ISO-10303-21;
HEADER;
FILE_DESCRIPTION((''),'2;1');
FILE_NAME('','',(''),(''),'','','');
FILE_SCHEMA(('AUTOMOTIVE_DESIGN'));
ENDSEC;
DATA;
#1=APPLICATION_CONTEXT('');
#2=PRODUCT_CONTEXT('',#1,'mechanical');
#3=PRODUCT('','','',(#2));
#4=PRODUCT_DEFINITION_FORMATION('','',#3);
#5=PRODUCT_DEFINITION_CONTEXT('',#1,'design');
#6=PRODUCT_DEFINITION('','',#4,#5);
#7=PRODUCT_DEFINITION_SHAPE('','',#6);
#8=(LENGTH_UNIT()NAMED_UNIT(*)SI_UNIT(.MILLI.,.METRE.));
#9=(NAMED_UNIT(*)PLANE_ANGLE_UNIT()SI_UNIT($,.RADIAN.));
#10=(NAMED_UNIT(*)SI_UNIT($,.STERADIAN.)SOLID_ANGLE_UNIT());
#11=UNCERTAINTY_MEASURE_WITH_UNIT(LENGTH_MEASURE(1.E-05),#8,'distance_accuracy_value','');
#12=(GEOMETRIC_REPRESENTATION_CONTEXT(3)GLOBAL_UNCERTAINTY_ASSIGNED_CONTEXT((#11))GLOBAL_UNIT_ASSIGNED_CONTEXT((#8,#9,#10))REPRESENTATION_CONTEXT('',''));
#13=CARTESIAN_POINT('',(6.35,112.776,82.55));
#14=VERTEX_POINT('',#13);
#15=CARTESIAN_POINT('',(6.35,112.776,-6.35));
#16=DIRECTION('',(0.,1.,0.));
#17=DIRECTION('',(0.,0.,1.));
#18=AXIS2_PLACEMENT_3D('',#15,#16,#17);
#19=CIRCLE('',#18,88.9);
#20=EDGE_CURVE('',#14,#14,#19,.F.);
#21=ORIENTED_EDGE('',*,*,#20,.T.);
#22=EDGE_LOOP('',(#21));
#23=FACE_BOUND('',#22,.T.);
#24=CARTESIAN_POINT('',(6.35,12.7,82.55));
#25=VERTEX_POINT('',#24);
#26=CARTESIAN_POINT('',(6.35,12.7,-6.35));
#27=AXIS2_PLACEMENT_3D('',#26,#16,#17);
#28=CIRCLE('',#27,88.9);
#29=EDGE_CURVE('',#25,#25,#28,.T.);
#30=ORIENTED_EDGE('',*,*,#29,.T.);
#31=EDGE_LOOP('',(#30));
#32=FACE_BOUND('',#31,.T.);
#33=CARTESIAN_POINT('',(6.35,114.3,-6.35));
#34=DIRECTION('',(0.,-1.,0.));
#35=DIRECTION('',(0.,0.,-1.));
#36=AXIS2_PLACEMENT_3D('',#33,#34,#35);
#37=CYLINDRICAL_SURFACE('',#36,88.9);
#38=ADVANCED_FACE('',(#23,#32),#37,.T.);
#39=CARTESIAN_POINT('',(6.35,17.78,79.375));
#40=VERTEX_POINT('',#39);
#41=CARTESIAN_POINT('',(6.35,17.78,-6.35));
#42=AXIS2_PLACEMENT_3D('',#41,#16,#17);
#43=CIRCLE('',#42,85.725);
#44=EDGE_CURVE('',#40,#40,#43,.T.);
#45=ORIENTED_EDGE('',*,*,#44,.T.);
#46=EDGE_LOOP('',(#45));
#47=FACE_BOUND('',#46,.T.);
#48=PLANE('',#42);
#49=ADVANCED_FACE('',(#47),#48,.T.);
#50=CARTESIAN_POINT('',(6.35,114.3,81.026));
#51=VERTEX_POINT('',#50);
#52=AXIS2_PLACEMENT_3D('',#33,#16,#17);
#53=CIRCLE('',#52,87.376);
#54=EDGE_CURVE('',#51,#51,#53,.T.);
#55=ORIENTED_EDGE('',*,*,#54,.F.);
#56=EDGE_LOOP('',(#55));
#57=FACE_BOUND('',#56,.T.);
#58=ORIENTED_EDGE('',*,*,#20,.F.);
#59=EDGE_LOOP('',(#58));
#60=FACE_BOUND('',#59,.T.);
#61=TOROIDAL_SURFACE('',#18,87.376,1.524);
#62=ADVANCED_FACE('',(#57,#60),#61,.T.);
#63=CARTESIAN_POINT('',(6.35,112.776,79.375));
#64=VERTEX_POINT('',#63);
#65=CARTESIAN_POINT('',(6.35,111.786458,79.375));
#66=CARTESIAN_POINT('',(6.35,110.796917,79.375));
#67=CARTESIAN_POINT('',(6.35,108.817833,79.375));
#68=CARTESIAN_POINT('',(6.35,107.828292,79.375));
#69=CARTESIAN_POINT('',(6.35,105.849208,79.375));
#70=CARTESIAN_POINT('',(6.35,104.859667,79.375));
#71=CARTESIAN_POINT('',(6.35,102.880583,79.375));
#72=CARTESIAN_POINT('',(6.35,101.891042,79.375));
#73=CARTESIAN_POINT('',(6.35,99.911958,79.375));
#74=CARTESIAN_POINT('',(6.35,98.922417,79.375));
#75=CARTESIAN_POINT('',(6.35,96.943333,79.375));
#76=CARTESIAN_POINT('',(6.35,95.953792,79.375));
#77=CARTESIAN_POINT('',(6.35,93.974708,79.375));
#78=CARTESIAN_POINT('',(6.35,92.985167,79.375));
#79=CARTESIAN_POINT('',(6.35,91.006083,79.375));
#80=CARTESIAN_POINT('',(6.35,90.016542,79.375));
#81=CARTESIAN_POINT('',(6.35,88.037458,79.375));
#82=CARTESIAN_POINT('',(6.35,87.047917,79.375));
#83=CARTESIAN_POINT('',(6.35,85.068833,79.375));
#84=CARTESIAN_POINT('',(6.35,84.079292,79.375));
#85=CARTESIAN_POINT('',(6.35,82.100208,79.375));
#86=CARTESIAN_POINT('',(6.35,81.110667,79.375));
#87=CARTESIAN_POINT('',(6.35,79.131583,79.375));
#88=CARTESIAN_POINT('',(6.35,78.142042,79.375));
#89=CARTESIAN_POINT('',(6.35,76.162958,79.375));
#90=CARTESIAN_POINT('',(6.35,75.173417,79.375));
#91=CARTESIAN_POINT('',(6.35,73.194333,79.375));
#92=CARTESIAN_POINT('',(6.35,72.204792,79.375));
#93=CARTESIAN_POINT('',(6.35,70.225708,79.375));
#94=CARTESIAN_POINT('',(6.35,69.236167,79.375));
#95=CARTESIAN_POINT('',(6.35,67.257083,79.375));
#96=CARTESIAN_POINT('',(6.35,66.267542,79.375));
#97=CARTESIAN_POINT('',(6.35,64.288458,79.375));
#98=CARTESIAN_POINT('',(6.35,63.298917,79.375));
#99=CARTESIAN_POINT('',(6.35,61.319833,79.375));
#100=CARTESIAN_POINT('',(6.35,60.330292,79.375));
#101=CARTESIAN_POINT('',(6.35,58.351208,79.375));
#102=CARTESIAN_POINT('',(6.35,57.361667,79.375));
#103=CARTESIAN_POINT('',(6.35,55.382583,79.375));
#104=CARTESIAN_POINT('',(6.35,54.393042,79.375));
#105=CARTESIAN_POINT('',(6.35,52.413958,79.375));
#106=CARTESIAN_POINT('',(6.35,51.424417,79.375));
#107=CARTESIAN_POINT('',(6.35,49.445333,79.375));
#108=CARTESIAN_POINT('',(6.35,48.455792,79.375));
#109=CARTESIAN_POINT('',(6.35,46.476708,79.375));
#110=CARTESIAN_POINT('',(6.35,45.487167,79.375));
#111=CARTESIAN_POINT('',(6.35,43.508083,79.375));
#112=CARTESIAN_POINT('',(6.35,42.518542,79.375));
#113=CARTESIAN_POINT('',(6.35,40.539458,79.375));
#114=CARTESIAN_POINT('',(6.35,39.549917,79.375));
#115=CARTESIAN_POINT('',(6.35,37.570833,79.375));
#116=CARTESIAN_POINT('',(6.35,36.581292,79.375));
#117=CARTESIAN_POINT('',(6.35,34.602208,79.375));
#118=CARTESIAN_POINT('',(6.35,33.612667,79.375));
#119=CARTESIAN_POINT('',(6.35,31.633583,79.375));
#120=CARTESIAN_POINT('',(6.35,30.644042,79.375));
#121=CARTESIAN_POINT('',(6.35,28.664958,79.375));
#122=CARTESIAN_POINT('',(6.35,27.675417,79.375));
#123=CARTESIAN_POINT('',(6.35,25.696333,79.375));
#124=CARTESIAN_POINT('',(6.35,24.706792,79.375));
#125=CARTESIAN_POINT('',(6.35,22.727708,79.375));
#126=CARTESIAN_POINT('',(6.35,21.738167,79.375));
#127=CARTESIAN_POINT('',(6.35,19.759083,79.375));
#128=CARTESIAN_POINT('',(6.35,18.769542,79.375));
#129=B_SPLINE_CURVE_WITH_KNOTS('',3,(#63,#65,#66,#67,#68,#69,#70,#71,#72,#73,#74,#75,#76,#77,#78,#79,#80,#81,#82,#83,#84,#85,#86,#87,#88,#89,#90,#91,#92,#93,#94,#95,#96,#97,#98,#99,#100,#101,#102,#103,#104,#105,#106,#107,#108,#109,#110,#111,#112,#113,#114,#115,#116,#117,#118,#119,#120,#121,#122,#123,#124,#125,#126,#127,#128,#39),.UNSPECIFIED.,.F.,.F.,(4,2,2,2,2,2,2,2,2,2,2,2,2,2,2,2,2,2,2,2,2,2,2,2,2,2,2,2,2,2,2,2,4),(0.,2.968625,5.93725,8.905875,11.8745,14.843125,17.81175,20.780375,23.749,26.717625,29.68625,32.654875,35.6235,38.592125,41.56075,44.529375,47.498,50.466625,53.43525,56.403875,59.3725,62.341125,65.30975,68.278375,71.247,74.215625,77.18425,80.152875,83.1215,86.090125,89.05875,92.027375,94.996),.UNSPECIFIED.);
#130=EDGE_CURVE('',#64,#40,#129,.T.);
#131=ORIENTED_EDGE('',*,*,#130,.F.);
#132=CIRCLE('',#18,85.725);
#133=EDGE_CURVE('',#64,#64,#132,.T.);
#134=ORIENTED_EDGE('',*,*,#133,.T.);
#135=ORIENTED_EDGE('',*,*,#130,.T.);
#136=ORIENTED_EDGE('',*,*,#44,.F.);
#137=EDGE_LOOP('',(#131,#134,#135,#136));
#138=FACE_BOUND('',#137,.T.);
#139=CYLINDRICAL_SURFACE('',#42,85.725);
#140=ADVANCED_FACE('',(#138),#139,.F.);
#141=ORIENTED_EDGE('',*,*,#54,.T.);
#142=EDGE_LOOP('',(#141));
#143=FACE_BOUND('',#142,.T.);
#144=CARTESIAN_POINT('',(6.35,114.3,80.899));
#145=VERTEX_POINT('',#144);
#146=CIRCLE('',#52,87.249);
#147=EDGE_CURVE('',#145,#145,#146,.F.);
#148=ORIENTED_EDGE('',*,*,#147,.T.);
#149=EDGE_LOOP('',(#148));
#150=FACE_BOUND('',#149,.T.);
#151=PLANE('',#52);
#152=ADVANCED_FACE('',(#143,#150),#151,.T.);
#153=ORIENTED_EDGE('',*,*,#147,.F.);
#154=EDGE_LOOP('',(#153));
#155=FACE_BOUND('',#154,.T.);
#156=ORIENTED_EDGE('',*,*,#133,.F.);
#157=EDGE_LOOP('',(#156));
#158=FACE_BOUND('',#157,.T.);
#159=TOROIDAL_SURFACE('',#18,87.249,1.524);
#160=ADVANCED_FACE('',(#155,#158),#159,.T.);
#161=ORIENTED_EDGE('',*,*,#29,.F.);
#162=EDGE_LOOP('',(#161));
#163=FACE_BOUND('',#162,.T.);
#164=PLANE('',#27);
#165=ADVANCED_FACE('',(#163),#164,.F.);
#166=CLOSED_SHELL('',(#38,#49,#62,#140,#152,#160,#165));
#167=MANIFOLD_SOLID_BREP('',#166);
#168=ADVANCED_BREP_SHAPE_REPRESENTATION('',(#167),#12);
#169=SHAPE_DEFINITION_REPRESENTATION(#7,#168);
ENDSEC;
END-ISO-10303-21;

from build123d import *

# Parameters (mm, degrees)
SKETCH1_W           = 12.7
SKETCH1_H           = 12.7
BOSS_EXTRUDE1_DEPTH = 12.7
SKETCH2_R           = 88.9
BOSS_EXTRUDE2_DEPTH = 101.6
SKETCH3_R           = 85.725
CUT_EXTRUDE1_DEPTH  = 96.52
SKETCH4_W           = 12.7
SKETCH4_H           = 12.7
CUT_EXTRUDE2_DEPTH  = 12.7
FILLET2_R           = 1.524


with BuildPart() as part:
    # Sketch1 → Boss-Extrude1 (new body)
    with BuildSketch(Plane(origin=(0, 0, 0), x_dir=(1, 0, 0), z_dir=(0, 1, 0))):
        with Locations((6.35, 6.35)):
            Rectangle(SKETCH1_W, SKETCH1_H)
    extrude(amount=BOSS_EXTRUDE1_DEPTH)

    # Sketch2 → Boss-Extrude2 (add)
    with BuildSketch(Plane(origin=(0, 12.7, 0), x_dir=(1, 0, 0), z_dir=(0, 1, 0))):
        with Locations(Location((6.35, 6.35, 0), (0, 0, 270))):
            Circle(SKETCH2_R)
    extrude(amount=BOSS_EXTRUDE2_DEPTH)

    # Sketch3 → Cut-Extrude1 (cut)
    with BuildSketch(Plane(origin=(0, 114.3, 0), x_dir=(1, 0, 0), z_dir=(0, 1, 0))):
        with Locations(Location((6.35, 6.35, 0), (0, 0, 270))):
            Circle(SKETCH3_R)
    extrude(amount=-CUT_EXTRUDE1_DEPTH, mode=Mode.SUBTRACT)

    # Sketch4 → Cut-Extrude2 (cut)
    with BuildSketch(Plane.XZ):
        with Locations((6.35, -6.35)):
            Rectangle(SKETCH4_W, SKETCH4_H)
    extrude(amount=-CUT_EXTRUDE2_DEPTH, mode=Mode.SUBTRACT)

    # Fillet2
    fillet2_edges = [part.edges().sort_by_distance(p)[0] for p in [
        (6.35, 114.3, -95.25),
        (6.35, 114.3, -92.075),
    ]]
    fillet(fillet2_edges, radius=FILLET2_R)


solid = part.part
